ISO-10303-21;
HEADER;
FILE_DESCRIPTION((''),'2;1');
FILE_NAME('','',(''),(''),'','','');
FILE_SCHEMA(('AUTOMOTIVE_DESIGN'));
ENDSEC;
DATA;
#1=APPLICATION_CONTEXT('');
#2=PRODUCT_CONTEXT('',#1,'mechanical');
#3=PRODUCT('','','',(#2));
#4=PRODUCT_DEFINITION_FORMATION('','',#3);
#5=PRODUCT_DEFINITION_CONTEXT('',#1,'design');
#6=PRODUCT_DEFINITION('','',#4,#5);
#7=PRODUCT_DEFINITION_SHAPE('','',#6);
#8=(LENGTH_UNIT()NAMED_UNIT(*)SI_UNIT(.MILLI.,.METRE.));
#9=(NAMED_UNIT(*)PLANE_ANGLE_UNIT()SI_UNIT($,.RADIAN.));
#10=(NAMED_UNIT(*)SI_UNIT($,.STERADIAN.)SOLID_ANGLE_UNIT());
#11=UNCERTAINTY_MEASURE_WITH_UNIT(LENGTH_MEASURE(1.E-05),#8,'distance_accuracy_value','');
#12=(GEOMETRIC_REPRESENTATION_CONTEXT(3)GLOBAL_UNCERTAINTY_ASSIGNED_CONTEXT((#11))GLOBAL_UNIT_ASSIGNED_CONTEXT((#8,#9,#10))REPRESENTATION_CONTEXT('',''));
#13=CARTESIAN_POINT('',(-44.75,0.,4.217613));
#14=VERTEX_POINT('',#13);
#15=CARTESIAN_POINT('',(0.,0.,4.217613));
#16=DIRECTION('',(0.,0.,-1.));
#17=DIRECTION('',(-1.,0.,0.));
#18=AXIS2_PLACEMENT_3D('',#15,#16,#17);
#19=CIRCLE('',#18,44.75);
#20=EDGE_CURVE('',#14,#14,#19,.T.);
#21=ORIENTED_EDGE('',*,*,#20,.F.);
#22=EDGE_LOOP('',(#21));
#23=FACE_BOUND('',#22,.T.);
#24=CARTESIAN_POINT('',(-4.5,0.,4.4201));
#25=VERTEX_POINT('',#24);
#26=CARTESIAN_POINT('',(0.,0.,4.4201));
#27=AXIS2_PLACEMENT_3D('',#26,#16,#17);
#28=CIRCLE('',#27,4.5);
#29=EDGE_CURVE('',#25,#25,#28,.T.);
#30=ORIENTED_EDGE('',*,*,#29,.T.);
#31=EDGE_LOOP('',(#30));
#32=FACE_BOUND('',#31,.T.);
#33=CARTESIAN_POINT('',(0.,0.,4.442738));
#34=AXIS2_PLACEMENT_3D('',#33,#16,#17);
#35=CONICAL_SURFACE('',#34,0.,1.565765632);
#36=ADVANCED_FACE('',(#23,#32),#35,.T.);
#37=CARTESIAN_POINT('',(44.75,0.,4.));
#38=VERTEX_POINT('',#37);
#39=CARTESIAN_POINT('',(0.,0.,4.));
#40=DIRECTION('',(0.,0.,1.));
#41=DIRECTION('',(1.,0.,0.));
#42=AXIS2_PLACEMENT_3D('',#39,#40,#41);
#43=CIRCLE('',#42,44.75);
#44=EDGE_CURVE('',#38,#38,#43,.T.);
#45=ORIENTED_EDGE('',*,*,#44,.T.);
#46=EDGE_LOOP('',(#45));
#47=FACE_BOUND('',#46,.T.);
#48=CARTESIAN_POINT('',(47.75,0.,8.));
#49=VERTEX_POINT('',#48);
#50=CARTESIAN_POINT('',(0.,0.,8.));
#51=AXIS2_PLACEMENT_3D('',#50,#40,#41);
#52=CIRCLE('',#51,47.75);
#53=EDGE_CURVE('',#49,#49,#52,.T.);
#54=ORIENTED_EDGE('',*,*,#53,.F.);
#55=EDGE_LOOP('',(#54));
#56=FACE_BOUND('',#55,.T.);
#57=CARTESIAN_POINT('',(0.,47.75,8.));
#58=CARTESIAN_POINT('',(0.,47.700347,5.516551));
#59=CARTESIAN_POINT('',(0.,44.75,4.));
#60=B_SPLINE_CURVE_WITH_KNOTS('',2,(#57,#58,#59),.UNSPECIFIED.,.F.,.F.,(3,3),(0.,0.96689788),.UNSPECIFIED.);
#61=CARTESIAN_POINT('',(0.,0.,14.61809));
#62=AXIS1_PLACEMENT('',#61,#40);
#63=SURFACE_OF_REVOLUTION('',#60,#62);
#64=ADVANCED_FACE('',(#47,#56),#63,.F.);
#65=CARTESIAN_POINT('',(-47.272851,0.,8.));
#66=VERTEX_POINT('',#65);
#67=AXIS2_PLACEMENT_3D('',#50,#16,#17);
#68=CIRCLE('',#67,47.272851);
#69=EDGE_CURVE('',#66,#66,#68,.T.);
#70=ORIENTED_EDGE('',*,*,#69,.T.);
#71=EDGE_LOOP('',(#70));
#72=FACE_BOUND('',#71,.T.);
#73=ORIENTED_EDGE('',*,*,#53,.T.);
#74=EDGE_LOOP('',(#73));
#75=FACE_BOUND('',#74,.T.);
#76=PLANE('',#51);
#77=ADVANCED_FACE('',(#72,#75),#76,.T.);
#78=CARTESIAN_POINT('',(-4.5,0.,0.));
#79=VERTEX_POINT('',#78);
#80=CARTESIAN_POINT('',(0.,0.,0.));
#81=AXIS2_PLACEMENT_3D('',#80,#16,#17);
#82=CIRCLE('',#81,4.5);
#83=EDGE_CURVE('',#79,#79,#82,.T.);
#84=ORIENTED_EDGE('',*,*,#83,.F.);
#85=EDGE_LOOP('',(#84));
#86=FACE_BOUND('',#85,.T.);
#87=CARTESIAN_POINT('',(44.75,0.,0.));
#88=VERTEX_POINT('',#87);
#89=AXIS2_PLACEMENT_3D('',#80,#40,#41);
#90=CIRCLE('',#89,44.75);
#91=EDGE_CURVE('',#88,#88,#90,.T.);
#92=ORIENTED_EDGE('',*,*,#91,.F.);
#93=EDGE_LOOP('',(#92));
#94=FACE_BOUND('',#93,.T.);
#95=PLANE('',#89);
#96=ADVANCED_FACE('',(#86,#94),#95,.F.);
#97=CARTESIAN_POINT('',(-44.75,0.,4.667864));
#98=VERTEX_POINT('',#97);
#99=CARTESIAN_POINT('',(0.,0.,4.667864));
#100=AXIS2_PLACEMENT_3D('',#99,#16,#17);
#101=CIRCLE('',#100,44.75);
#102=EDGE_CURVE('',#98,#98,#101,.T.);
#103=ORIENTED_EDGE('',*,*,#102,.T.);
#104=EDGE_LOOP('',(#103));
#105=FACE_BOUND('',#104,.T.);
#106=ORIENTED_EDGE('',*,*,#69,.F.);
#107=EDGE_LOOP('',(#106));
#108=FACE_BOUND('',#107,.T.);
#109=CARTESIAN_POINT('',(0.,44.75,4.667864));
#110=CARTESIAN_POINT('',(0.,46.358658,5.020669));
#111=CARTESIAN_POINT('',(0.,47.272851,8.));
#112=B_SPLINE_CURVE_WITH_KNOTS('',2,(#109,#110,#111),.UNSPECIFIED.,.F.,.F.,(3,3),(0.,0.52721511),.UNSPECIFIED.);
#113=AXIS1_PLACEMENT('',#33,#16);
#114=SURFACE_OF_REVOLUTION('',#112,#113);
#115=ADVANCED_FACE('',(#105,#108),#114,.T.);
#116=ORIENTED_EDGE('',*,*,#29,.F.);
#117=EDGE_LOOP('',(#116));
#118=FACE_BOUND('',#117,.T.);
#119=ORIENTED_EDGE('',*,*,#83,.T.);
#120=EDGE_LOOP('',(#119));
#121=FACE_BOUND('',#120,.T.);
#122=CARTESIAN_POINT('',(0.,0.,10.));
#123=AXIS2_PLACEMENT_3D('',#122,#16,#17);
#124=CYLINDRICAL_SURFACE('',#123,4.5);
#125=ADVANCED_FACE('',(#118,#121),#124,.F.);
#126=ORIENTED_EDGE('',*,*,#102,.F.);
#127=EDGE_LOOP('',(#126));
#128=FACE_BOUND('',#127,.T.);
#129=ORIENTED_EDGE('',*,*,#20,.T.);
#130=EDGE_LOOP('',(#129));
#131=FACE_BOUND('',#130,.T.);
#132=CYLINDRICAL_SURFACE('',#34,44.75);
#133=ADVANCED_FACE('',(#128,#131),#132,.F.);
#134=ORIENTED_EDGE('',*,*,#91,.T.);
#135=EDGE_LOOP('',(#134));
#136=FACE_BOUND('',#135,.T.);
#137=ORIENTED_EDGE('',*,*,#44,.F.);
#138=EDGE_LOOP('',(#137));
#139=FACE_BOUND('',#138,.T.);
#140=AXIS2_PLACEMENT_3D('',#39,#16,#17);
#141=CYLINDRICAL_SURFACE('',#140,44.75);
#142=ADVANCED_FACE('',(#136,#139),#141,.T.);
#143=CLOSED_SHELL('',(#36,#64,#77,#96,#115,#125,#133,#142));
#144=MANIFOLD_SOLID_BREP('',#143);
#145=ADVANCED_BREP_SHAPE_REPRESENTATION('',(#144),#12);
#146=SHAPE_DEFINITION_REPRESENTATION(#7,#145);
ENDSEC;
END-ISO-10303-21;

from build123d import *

# Parameters (mm, degrees)
SKETCH1_R           = 44.75
BOSS_EXTRUDE1_DEPTH = 4
SKETCH2_R           = 47.75
BOSS_EXTRUDE2_DEPTH = 4
SKETCH5_R           = 4.5
CUT_EXTRUDE1_DEPTH  = 10


with BuildPart() as part:
    # Sketch1 → Boss-Extrude1 (new body)
    with BuildSketch(Plane.XY):
        Circle(SKETCH1_R)
    extrude(amount=BOSS_EXTRUDE1_DEPTH)

    # Sketch2 → Boss-Extrude2 (add)
    with BuildSketch(Plane.XY.offset(4)):
        Circle(SKETCH2_R)
    extrude(amount=BOSS_EXTRUDE2_DEPTH)

    # Sketch3 → Cut-Revolve1 (revolve, cut)
    with BuildSketch(Plane(origin=(0, 0, 0), x_dir=(0, 0, -1), z_dir=(1, 0, 0))):
        with BuildLine():
            Line((-4, 47.75), (-4, 44.75))
            add(Edge.make_bspline(
                [(-4, 44.75), (-5.51655106, 47.70034682), (-8, 47.75)],
                knots=[0, 0, 0, 0.96689788, 0.96689788, 0.96689788], degree=2))
            Line((-8, 47.75), (-4, 47.75))
        make_face()
    revolve(axis=Axis((0, 0, 14.618090142), (0, 0, -1)), mode=Mode.SUBTRACT)

    # Sketch4 → Cut-Revolve3 (revolve, cut)
    with BuildSketch(Plane(origin=(0, 0, 0), x_dir=(0, 0, -1), z_dir=(1, 0, 0))):
        with BuildLine():
            Line((-4.667863656, 44.75), (-4.217612647, 44.75))
            Line((-4.217612647, 44.75), (-4.442738152, 0))
            Line((-4.442738152, 0), (-8, 0))
            Line((-8, 0), (-8, 47.272851402))
            add(Edge.make_bspline(
                [(-8, 47.272851402), (-5.020669257, 46.35865801), (-4.667863656, 44.75)],
                knots=[0, 0, 0, 0.52721511, 0.52721511, 0.52721511], degree=2))
        make_face()
    revolve(axis=Axis((0, 0, 4.442738152), (0, 0, 1)), mode=Mode.SUBTRACT)

    # Sketch5 → Cut-Extrude1 (cut)
    with BuildSketch(Plane(origin=(0, 0, 0), x_dir=(-1, 0, 0), z_dir=(0, 0, -1))):
        Circle(SKETCH5_R)
    extrude(amount=-CUT_EXTRUDE1_DEPTH, mode=Mode.SUBTRACT)


solid = part.part
